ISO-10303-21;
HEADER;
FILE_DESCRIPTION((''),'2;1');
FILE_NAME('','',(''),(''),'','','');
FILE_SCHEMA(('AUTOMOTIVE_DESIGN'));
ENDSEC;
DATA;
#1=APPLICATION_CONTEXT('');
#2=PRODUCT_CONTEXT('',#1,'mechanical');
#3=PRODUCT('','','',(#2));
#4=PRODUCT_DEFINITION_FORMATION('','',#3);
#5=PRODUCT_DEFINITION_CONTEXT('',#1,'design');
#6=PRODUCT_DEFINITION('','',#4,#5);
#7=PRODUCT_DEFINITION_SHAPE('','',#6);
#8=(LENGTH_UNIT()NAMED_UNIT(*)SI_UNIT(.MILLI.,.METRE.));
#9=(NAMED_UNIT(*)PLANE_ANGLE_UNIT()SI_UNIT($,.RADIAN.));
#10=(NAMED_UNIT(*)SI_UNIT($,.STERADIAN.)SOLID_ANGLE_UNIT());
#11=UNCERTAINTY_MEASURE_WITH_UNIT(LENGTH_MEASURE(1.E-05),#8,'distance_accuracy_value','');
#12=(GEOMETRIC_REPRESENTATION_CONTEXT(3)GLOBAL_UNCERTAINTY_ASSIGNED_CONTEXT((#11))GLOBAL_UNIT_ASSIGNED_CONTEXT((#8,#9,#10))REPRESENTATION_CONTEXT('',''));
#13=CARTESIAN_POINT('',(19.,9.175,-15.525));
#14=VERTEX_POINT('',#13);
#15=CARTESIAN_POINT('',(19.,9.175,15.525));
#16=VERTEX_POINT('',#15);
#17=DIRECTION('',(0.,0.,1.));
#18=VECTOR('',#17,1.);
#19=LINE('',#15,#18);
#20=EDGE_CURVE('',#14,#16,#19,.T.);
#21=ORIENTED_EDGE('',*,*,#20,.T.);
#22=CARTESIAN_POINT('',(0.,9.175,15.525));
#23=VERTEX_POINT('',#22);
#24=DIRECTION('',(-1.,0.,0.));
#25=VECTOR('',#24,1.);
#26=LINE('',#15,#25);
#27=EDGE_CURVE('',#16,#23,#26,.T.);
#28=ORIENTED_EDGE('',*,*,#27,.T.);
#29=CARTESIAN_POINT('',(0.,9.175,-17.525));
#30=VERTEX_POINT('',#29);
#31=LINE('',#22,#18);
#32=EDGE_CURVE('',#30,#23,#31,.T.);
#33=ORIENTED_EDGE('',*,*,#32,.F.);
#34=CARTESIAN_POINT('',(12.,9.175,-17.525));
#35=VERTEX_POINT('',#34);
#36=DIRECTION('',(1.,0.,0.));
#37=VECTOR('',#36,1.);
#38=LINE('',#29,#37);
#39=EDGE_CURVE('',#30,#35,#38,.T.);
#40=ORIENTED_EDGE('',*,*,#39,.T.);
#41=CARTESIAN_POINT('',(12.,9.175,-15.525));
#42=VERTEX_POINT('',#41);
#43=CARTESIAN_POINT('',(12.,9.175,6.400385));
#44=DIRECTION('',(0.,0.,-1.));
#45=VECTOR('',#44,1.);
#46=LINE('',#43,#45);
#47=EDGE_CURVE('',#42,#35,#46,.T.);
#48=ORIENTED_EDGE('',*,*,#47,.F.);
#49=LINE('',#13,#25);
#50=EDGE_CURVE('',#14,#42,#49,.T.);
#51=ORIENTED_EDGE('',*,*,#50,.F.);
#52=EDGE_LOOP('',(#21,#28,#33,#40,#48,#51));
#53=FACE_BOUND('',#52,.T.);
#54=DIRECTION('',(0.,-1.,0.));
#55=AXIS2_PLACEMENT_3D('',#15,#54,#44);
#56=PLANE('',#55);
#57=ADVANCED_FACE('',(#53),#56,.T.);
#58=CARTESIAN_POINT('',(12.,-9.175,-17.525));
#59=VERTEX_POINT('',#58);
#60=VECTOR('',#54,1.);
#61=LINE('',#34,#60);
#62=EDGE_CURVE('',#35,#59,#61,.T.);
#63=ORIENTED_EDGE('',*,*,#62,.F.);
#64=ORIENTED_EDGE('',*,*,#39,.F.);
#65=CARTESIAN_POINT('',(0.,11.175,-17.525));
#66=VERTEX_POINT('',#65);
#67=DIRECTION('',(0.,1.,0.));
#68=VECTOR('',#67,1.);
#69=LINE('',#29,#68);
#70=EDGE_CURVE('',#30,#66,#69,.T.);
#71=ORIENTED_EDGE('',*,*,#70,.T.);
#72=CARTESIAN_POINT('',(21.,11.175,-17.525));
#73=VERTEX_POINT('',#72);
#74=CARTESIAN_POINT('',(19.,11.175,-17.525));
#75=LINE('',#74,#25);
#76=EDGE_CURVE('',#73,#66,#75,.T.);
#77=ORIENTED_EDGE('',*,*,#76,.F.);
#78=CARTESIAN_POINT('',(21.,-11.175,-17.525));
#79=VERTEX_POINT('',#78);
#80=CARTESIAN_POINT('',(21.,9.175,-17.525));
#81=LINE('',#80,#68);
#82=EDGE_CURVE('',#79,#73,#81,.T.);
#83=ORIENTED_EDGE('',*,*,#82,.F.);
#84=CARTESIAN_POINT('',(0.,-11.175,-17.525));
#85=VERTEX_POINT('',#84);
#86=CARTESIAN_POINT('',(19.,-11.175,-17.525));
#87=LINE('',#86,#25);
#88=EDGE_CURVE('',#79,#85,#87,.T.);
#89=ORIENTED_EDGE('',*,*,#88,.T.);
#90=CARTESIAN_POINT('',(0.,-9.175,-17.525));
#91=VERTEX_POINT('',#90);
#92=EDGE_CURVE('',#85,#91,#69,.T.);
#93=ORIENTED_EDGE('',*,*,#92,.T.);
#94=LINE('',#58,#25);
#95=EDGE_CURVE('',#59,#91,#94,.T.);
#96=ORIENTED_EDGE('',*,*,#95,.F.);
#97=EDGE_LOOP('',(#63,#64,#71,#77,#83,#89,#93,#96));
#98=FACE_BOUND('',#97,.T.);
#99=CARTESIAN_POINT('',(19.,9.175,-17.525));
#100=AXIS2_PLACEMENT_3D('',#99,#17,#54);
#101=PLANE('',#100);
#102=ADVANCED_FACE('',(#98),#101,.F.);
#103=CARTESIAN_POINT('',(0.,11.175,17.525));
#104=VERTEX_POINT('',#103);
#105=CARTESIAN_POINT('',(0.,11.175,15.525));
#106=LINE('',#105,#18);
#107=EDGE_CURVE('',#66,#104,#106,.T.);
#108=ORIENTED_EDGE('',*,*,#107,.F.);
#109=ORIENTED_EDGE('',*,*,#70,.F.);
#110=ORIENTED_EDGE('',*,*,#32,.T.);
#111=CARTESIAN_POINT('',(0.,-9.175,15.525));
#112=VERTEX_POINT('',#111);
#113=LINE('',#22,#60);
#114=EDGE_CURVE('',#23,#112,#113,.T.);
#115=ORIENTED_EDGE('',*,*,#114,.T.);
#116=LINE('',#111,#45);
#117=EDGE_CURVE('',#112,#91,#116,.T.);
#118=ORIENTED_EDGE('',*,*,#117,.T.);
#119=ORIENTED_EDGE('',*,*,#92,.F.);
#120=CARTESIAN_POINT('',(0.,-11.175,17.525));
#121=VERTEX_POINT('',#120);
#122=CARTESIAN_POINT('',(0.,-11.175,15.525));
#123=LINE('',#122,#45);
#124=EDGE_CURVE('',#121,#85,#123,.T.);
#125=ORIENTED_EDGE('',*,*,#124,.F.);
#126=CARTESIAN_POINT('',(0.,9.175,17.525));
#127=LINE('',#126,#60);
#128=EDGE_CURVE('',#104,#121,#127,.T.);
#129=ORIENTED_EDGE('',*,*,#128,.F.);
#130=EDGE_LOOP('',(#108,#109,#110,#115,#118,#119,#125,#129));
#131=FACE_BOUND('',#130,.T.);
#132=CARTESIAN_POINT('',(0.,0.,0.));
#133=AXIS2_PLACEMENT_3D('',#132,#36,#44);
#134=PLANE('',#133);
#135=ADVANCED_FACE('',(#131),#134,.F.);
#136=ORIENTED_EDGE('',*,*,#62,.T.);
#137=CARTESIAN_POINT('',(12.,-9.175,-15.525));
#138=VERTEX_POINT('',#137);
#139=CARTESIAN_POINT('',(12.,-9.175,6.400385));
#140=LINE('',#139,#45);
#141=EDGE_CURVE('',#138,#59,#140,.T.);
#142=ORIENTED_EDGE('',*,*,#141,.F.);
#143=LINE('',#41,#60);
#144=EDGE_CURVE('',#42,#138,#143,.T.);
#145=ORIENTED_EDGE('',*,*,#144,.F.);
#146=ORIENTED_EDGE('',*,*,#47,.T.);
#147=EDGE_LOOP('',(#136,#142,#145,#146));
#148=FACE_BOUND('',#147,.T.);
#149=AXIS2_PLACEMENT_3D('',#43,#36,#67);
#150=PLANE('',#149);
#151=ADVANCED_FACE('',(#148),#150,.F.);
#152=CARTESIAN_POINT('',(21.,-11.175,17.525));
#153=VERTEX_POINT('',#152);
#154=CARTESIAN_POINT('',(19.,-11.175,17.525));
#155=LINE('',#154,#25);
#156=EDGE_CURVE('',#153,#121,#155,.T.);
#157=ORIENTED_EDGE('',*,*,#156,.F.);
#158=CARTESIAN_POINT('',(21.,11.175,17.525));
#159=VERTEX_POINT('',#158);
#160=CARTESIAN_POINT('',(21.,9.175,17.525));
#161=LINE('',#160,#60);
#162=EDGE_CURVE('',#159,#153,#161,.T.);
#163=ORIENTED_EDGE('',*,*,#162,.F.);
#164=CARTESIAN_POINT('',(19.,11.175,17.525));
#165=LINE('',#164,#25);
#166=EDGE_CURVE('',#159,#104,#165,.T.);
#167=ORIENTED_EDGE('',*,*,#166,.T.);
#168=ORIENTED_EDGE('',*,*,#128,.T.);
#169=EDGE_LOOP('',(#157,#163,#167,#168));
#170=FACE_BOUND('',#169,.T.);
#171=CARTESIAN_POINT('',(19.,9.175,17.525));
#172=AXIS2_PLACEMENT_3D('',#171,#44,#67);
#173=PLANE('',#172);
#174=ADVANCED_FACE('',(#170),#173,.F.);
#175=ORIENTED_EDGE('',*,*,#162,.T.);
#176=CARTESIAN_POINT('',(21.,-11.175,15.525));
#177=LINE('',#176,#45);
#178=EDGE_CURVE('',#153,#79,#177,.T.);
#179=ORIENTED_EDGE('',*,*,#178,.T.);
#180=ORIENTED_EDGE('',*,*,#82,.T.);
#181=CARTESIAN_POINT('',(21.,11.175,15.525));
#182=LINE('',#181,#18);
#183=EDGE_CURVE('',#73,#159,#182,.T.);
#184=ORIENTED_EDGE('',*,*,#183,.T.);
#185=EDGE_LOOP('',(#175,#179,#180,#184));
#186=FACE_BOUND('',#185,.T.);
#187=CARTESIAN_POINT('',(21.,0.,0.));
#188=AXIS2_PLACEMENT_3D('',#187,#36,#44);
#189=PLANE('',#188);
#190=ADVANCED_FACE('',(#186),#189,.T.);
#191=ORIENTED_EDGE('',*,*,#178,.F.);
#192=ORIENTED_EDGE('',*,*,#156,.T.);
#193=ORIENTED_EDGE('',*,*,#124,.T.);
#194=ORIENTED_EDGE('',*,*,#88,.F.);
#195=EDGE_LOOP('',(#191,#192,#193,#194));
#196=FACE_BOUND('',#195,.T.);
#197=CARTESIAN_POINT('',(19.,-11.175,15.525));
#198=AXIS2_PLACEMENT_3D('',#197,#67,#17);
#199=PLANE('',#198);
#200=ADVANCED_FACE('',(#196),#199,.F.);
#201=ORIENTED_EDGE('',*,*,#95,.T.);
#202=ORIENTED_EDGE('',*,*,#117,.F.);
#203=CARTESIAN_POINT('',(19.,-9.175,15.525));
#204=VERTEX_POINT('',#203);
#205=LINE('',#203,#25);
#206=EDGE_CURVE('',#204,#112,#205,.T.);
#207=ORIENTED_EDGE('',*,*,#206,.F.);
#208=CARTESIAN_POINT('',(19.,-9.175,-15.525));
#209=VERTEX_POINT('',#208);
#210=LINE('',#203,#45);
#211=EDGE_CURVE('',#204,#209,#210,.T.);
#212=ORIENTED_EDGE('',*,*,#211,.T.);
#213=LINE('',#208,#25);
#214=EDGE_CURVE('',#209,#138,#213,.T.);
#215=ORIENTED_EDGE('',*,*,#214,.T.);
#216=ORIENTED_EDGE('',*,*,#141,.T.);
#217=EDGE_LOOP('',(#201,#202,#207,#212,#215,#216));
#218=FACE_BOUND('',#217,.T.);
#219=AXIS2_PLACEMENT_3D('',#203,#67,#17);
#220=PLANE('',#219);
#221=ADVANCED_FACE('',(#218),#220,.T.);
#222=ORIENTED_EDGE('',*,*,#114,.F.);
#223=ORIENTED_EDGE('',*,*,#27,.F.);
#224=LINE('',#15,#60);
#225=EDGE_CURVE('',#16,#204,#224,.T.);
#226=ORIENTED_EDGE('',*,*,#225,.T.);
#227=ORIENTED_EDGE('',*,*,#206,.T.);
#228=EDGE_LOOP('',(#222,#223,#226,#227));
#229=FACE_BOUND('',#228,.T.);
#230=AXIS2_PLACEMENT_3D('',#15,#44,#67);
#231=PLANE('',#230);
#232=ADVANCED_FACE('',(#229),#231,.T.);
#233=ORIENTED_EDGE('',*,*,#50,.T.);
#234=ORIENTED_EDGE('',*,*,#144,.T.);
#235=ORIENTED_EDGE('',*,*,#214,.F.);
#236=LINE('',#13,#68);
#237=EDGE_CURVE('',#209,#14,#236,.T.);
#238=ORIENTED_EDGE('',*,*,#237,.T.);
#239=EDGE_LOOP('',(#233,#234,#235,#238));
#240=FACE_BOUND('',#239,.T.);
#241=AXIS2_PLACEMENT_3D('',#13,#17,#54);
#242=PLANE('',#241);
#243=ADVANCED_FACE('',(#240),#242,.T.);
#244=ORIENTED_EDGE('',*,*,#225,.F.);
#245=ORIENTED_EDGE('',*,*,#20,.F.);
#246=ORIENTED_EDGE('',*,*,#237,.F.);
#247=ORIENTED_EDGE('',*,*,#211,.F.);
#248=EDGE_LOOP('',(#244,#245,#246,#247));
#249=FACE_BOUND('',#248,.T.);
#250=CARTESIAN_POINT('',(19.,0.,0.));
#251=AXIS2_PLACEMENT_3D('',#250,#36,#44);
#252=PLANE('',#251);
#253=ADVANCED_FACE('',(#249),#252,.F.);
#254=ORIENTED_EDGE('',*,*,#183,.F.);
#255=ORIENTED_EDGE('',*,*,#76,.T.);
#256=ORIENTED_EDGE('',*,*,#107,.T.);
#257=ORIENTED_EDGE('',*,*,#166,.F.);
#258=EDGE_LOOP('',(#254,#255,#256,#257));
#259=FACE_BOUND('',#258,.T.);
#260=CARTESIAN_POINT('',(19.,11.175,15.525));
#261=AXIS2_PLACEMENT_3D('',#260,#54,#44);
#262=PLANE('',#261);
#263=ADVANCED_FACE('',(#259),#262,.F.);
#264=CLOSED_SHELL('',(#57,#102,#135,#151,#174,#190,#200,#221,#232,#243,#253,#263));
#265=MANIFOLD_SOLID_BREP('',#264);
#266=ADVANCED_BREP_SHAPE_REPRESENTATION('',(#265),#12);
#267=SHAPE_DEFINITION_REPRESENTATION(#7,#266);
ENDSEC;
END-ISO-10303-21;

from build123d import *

# Parameters (mm, degrees)
SKETCH4_W           = 31.05
SKETCH4_H           = 18.35
BOSS_EXTRUDE1_DEPTH = 19
SHELL1_T            = 2
SKETCH5_W           = 12
SKETCH5_H           = 18.35
CUT_EXTRUDE1_DEPTH  = 2


with BuildPart() as part:
    # Sketch4 → Boss-Extrude1 (new body)
    with BuildSketch(Plane(origin=(0, 0, 0), x_dir=(0, 0, -1), z_dir=(1, 0, 0))):
        Rectangle(SKETCH4_W, SKETCH4_H)
    extrude(amount=BOSS_EXTRUDE1_DEPTH)

    # Shell1
    shell1_openings = [part.faces().sort_by_distance(p)[0] for p in [
        (0, 0, 0),
    ]]
    offset(amount=SHELL1_T, openings=shell1_openings, kind=Kind.INTERSECTION)

    # Sketch5 → Cut-Extrude1 (cut)
    with BuildSketch(Plane(origin=(0, 0, -17.525), x_dir=(-1, 0, 0), z_dir=(0, 0, -1))):
        with Locations((-6, 0)):
            Rectangle(SKETCH5_W, SKETCH5_H)
    extrude(amount=-CUT_EXTRUDE1_DEPTH, mode=Mode.SUBTRACT)


solid = part.part
